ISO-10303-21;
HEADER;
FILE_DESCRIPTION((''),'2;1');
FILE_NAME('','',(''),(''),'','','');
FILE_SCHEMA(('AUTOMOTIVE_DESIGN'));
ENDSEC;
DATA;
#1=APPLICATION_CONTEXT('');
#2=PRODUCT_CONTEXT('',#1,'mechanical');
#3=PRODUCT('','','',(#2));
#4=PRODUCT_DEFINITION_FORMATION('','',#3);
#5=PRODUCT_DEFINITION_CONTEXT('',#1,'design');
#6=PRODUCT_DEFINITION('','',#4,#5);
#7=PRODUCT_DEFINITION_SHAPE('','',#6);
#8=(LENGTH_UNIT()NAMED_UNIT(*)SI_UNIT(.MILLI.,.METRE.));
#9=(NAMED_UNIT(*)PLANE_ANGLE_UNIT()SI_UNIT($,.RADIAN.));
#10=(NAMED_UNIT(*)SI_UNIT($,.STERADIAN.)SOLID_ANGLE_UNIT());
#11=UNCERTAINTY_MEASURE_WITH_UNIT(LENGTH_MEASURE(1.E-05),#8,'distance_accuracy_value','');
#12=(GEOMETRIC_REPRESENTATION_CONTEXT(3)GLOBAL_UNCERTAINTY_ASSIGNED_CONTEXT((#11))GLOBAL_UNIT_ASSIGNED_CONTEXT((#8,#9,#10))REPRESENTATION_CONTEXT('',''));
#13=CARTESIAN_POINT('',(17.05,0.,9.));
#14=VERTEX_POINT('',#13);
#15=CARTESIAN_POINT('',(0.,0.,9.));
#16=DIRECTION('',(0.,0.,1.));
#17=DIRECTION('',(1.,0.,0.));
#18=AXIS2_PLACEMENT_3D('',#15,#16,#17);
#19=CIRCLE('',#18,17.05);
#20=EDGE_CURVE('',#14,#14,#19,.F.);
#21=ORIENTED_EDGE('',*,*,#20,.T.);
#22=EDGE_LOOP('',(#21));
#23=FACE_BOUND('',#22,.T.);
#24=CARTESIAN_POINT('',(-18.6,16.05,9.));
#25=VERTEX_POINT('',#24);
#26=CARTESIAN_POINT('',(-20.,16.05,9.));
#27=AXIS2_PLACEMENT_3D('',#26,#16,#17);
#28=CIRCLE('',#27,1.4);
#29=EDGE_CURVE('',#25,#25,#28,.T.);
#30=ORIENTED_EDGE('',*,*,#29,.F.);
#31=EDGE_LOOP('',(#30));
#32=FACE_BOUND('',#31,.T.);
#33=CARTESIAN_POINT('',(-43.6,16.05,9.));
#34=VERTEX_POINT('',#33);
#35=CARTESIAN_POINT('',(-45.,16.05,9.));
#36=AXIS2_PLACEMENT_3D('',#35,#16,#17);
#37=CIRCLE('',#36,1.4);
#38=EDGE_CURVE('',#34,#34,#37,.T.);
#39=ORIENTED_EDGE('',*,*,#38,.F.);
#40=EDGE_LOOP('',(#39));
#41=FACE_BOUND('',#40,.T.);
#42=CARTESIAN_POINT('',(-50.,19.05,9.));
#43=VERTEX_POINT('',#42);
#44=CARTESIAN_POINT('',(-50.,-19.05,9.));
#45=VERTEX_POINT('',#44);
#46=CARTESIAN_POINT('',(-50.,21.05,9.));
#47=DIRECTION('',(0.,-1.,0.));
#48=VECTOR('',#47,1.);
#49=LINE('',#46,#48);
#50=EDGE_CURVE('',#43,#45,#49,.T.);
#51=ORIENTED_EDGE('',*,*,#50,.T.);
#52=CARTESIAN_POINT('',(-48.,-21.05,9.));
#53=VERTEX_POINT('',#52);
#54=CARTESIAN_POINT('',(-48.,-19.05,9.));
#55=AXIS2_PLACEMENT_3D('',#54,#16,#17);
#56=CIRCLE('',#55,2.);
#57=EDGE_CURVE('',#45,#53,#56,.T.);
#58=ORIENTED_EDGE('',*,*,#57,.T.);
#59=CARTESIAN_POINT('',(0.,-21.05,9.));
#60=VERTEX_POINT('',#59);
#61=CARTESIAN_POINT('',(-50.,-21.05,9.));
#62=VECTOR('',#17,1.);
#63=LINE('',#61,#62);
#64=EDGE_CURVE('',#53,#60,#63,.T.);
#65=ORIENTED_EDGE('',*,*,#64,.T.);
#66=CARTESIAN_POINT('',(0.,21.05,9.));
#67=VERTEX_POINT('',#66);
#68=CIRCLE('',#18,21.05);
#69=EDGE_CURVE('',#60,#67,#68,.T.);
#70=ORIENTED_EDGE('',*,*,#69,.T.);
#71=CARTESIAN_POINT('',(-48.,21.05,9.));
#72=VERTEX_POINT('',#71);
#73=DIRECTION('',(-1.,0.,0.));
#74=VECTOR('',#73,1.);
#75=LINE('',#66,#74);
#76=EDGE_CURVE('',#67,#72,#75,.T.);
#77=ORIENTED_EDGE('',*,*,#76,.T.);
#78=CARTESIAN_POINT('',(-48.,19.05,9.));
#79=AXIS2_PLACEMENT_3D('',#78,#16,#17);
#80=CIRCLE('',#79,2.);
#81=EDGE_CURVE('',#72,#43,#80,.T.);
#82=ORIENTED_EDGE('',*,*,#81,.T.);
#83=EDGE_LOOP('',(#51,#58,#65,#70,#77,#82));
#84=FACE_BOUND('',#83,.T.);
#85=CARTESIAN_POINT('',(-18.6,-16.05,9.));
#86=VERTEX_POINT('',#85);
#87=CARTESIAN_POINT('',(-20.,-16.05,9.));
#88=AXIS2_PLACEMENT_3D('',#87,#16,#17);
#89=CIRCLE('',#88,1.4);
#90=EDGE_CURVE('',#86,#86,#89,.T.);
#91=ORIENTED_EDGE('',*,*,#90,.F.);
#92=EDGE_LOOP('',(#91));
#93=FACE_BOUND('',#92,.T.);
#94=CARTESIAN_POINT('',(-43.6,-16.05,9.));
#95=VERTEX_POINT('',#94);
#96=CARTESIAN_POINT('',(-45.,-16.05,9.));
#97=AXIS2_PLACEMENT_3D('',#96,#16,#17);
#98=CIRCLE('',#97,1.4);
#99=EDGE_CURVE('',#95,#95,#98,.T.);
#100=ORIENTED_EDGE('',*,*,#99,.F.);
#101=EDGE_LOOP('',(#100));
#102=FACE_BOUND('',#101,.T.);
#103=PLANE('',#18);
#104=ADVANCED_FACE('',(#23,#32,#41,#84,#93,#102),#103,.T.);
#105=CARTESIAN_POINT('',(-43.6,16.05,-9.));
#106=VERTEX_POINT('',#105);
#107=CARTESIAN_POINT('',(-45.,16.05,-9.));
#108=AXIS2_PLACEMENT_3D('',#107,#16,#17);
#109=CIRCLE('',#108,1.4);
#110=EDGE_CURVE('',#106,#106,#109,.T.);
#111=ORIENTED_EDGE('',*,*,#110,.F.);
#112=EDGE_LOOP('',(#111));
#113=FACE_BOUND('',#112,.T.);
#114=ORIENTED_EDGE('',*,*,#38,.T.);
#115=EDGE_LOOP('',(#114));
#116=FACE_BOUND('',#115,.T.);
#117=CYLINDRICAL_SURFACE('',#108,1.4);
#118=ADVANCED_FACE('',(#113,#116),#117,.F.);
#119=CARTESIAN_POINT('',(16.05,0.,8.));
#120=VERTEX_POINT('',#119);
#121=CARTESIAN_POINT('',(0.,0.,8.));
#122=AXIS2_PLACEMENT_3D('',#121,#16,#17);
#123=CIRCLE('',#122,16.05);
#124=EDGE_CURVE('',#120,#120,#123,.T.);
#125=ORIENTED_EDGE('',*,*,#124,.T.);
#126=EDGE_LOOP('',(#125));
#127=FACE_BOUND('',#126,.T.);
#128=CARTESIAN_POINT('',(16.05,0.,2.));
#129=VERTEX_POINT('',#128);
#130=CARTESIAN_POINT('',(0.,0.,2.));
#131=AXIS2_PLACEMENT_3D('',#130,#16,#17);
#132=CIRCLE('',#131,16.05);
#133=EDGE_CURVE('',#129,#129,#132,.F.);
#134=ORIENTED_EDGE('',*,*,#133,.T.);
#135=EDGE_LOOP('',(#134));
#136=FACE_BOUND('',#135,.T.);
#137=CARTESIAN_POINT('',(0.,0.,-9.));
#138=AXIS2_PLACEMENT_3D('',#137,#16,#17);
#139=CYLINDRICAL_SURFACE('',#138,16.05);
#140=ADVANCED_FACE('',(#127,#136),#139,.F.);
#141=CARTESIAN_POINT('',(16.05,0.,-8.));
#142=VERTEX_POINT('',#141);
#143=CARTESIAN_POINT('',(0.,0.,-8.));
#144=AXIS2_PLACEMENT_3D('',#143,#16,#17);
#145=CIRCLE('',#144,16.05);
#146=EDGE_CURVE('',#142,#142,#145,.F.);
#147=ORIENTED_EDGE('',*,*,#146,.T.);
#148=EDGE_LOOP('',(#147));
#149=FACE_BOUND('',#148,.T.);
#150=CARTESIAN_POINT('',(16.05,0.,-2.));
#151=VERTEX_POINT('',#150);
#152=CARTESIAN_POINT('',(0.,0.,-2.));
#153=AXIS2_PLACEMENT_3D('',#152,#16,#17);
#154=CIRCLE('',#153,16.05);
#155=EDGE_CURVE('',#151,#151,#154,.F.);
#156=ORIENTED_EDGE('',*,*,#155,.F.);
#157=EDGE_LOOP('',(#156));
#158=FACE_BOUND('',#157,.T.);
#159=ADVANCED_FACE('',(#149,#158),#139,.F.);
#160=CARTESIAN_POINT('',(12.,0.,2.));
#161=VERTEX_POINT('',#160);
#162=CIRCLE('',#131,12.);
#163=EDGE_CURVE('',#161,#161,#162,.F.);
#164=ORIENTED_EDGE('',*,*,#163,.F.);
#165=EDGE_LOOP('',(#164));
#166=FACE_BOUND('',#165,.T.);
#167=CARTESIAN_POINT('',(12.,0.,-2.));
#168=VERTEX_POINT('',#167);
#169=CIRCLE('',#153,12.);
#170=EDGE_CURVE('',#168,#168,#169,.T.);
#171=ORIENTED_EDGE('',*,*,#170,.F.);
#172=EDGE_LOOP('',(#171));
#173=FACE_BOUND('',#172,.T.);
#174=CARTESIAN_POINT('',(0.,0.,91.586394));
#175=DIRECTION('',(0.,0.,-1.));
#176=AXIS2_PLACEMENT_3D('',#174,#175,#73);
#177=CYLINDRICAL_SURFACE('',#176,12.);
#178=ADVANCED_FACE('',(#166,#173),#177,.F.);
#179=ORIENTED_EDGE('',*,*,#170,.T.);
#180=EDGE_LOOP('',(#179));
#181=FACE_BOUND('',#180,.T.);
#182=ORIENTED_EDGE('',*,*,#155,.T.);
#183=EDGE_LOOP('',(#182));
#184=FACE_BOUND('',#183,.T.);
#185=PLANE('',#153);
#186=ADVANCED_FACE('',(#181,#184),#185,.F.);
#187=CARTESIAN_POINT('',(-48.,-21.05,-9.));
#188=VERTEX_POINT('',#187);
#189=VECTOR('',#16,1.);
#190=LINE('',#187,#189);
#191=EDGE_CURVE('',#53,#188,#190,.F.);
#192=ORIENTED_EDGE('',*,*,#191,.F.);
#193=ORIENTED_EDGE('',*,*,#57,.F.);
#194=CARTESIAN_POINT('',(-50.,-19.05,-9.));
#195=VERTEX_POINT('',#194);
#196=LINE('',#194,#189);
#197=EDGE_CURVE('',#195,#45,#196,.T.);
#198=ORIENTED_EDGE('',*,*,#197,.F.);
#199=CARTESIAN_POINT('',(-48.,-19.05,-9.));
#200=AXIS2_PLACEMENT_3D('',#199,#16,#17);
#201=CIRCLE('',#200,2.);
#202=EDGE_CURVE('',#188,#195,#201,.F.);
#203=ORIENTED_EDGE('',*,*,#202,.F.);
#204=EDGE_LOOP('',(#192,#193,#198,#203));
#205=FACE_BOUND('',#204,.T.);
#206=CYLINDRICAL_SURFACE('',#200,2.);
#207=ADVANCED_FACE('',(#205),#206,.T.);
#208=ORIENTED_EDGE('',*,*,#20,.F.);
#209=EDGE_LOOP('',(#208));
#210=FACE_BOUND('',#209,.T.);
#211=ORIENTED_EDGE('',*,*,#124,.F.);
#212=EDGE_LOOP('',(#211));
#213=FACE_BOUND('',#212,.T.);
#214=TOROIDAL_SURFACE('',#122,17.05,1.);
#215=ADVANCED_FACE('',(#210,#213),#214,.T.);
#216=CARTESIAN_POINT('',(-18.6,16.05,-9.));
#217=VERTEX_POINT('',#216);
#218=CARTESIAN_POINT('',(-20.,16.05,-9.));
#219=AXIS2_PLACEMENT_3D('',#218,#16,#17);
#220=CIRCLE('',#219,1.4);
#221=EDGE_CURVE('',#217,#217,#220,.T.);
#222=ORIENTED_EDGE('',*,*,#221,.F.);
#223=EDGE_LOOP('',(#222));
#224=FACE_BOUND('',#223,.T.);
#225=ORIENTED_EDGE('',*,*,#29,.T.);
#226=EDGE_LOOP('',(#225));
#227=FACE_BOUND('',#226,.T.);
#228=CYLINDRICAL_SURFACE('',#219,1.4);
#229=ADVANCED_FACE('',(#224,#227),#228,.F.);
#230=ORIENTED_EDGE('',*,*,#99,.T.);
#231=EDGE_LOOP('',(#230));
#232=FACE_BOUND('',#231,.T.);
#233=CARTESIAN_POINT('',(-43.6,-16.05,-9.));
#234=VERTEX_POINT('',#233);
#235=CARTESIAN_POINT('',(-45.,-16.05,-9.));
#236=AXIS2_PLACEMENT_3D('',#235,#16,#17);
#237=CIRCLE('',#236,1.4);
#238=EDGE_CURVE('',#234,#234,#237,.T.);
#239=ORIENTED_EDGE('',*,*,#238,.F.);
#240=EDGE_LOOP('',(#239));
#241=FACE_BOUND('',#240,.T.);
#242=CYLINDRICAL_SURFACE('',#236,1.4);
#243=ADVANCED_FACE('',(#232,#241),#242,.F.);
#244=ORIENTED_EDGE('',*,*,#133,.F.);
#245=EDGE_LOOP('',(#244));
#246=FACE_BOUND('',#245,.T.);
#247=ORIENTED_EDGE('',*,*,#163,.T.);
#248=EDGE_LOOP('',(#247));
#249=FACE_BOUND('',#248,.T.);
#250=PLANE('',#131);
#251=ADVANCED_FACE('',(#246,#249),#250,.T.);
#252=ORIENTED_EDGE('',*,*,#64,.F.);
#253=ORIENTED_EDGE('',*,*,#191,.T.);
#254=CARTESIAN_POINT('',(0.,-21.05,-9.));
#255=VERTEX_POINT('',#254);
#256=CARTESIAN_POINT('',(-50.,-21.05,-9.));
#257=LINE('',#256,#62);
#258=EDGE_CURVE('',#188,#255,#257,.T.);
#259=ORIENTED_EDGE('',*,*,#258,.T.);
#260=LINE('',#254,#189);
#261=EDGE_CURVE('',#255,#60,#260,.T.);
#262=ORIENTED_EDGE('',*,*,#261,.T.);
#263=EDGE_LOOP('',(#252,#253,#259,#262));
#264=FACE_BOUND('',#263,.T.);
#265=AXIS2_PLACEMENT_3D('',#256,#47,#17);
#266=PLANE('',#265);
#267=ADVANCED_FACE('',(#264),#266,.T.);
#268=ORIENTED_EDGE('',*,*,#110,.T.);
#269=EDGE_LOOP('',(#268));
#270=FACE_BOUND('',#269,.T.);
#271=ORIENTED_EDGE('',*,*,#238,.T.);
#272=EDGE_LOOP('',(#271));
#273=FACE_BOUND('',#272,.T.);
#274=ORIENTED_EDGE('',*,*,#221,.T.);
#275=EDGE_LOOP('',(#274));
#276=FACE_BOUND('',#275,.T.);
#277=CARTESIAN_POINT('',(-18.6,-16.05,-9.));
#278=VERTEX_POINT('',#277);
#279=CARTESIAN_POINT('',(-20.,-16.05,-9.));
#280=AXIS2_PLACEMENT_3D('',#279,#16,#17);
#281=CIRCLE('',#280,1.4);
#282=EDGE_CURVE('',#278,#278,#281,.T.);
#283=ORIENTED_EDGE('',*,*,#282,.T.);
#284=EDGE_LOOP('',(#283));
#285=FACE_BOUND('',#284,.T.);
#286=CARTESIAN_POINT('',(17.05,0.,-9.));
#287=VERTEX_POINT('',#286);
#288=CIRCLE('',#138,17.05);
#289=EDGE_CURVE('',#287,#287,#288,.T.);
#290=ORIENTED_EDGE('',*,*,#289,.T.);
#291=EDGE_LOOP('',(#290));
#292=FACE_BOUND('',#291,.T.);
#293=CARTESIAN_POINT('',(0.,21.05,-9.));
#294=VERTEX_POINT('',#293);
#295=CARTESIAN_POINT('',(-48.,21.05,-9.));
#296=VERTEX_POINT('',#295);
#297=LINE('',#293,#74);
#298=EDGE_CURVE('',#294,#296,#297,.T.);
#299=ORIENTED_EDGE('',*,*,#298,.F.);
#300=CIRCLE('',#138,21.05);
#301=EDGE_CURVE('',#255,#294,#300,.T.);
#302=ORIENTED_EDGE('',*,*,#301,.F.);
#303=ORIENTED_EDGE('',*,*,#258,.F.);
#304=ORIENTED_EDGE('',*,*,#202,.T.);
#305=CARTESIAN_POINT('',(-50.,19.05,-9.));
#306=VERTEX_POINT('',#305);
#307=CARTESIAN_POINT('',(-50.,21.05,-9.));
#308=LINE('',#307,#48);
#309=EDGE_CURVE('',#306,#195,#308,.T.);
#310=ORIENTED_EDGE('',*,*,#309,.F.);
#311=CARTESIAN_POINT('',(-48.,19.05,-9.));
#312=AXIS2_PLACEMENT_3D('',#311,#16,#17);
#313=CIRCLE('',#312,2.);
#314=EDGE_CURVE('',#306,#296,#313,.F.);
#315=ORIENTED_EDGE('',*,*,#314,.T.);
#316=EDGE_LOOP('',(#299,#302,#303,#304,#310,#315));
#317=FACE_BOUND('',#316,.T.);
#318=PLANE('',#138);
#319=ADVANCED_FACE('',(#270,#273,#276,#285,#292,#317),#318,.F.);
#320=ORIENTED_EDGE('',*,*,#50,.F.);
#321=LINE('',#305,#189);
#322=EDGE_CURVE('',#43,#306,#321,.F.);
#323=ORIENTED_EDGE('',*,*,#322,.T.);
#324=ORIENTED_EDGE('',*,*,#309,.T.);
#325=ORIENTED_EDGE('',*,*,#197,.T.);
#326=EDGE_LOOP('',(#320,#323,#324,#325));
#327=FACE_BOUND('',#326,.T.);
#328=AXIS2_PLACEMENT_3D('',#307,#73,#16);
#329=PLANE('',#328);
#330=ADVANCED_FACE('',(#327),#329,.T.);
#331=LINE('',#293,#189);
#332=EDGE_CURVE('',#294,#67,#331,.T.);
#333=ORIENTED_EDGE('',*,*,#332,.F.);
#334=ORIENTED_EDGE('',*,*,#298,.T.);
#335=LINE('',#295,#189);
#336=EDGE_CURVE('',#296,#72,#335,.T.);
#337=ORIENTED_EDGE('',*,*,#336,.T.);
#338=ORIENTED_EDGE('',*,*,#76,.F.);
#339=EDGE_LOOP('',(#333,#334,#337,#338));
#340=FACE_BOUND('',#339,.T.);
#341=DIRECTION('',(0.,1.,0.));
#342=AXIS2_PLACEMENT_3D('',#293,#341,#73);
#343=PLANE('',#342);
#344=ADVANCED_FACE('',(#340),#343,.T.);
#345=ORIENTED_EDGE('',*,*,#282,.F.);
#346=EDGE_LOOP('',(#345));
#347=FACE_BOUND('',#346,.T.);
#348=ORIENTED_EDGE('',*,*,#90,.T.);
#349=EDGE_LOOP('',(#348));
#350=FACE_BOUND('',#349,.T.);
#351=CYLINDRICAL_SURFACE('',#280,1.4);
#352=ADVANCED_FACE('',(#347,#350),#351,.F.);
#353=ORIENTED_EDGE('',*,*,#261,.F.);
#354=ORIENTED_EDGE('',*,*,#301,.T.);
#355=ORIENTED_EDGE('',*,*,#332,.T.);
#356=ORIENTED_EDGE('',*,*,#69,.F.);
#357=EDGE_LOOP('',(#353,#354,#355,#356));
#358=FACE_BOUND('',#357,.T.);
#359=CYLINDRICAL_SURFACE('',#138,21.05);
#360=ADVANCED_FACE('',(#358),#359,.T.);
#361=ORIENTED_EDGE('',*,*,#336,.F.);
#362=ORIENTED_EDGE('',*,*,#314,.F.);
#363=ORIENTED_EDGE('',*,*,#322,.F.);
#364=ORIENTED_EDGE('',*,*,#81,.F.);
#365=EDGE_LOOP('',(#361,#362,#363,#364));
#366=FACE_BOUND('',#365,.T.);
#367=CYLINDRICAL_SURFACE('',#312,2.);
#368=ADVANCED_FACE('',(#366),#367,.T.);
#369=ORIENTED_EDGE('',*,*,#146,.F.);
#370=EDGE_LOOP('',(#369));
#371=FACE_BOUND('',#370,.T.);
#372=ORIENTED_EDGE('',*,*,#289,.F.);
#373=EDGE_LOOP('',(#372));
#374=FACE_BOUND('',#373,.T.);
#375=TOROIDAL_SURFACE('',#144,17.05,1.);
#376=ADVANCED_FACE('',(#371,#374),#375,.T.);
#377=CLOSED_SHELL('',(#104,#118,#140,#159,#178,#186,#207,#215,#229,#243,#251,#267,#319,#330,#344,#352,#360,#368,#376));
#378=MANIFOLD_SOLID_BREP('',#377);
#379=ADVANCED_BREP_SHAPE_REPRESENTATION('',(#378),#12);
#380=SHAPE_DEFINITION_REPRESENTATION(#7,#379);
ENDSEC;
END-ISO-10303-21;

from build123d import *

# Parameters (mm, degrees)
BOSS_EXTRUDE1_DEPTH      = 9
BOSS_EXTRUDE1_DEPTH_BACK = 9
SKETCH1_R                = 16.05
BOSS_EXTRUDE2_DEPTH      = 2
BOSS_EXTRUDE2_DEPTH_BACK = 2
SKETCH2_R                = 12
SKETCH3_R                = 1.4
CUT_EXTRUDE1_DEPTH       = 58.158573285
FILLET1_R                = 2
FILLET2_R                = 1


with BuildPart() as part:
    # Sketch1 → Boss-Extrude1 (new, two sides: drawn at the far end of the back side and taken through both)
    with BuildSketch(Plane.XY.offset(-BOSS_EXTRUDE1_DEPTH_BACK)):
        with BuildLine():
            Line((0, 21.05), (-50, 21.05))
            Line((-50, 21.05), (-50, -21.05))
            Line((-50, -21.05), (0, -21.05))
            ThreePointArc((0, -21.05), (21.05, 0), (0, 21.05))
        make_face()
        Circle(SKETCH1_R, mode=Mode.SUBTRACT)
    extrude(amount=BOSS_EXTRUDE1_DEPTH + BOSS_EXTRUDE1_DEPTH_BACK)

    # Sketch2 → Boss-Extrude2 (add, two sides: drawn at the far end of the back side and taken through both)
    with BuildSketch(Plane(origin=(0, 0, 0), x_dir=(-1, 0, 0), z_dir=(0, 0, -1)).offset(-BOSS_EXTRUDE2_DEPTH_BACK)):
        with BuildLine():
            Line((0, -21.05), (50, -21.05))
            Line((50, -21.05), (50, 21.05))
            Line((50, 21.05), (0, 21.05))
            ThreePointArc((0, 21.05), (-21.05, 0), (0, -21.05))
        make_face()
        with Locations(Location((0, 0, 0), (0, 0, 180))):
            Circle(SKETCH2_R, mode=Mode.SUBTRACT)
    extrude(amount=BOSS_EXTRUDE2_DEPTH + BOSS_EXTRUDE2_DEPTH_BACK)

    # Sketch3 → Cut-Extrude1 (cut, through all)
    with BuildSketch(Plane.XY.offset(9)):
        with Locations((-45, 16.05)):
            Circle(SKETCH3_R)
        with Locations((-20, 16.05)):
            Circle(SKETCH3_R)
        with Locations((-20, -16.05)):
            Circle(SKETCH3_R)
        with Locations((-45, -16.05)):
            Circle(SKETCH3_R)
    extrude(amount=-CUT_EXTRUDE1_DEPTH, mode=Mode.SUBTRACT)

    # Fillet1
    fillet1_edges = [part.edges().sort_by_distance(p)[0] for p in [
        (-50, -21.05, 0),
        (-50, 21.05, 0),
    ]]
    fillet(fillet1_edges, radius=FILLET1_R)

    # Fillet2
    fillet2_edges = [part.edges().sort_by_distance(p)[0] for p in [
        (-16.05, 0, -9),
        (-16.05, 0, 9),
    ]]
    fillet(fillet2_edges, radius=FILLET2_R)


solid = part.part
